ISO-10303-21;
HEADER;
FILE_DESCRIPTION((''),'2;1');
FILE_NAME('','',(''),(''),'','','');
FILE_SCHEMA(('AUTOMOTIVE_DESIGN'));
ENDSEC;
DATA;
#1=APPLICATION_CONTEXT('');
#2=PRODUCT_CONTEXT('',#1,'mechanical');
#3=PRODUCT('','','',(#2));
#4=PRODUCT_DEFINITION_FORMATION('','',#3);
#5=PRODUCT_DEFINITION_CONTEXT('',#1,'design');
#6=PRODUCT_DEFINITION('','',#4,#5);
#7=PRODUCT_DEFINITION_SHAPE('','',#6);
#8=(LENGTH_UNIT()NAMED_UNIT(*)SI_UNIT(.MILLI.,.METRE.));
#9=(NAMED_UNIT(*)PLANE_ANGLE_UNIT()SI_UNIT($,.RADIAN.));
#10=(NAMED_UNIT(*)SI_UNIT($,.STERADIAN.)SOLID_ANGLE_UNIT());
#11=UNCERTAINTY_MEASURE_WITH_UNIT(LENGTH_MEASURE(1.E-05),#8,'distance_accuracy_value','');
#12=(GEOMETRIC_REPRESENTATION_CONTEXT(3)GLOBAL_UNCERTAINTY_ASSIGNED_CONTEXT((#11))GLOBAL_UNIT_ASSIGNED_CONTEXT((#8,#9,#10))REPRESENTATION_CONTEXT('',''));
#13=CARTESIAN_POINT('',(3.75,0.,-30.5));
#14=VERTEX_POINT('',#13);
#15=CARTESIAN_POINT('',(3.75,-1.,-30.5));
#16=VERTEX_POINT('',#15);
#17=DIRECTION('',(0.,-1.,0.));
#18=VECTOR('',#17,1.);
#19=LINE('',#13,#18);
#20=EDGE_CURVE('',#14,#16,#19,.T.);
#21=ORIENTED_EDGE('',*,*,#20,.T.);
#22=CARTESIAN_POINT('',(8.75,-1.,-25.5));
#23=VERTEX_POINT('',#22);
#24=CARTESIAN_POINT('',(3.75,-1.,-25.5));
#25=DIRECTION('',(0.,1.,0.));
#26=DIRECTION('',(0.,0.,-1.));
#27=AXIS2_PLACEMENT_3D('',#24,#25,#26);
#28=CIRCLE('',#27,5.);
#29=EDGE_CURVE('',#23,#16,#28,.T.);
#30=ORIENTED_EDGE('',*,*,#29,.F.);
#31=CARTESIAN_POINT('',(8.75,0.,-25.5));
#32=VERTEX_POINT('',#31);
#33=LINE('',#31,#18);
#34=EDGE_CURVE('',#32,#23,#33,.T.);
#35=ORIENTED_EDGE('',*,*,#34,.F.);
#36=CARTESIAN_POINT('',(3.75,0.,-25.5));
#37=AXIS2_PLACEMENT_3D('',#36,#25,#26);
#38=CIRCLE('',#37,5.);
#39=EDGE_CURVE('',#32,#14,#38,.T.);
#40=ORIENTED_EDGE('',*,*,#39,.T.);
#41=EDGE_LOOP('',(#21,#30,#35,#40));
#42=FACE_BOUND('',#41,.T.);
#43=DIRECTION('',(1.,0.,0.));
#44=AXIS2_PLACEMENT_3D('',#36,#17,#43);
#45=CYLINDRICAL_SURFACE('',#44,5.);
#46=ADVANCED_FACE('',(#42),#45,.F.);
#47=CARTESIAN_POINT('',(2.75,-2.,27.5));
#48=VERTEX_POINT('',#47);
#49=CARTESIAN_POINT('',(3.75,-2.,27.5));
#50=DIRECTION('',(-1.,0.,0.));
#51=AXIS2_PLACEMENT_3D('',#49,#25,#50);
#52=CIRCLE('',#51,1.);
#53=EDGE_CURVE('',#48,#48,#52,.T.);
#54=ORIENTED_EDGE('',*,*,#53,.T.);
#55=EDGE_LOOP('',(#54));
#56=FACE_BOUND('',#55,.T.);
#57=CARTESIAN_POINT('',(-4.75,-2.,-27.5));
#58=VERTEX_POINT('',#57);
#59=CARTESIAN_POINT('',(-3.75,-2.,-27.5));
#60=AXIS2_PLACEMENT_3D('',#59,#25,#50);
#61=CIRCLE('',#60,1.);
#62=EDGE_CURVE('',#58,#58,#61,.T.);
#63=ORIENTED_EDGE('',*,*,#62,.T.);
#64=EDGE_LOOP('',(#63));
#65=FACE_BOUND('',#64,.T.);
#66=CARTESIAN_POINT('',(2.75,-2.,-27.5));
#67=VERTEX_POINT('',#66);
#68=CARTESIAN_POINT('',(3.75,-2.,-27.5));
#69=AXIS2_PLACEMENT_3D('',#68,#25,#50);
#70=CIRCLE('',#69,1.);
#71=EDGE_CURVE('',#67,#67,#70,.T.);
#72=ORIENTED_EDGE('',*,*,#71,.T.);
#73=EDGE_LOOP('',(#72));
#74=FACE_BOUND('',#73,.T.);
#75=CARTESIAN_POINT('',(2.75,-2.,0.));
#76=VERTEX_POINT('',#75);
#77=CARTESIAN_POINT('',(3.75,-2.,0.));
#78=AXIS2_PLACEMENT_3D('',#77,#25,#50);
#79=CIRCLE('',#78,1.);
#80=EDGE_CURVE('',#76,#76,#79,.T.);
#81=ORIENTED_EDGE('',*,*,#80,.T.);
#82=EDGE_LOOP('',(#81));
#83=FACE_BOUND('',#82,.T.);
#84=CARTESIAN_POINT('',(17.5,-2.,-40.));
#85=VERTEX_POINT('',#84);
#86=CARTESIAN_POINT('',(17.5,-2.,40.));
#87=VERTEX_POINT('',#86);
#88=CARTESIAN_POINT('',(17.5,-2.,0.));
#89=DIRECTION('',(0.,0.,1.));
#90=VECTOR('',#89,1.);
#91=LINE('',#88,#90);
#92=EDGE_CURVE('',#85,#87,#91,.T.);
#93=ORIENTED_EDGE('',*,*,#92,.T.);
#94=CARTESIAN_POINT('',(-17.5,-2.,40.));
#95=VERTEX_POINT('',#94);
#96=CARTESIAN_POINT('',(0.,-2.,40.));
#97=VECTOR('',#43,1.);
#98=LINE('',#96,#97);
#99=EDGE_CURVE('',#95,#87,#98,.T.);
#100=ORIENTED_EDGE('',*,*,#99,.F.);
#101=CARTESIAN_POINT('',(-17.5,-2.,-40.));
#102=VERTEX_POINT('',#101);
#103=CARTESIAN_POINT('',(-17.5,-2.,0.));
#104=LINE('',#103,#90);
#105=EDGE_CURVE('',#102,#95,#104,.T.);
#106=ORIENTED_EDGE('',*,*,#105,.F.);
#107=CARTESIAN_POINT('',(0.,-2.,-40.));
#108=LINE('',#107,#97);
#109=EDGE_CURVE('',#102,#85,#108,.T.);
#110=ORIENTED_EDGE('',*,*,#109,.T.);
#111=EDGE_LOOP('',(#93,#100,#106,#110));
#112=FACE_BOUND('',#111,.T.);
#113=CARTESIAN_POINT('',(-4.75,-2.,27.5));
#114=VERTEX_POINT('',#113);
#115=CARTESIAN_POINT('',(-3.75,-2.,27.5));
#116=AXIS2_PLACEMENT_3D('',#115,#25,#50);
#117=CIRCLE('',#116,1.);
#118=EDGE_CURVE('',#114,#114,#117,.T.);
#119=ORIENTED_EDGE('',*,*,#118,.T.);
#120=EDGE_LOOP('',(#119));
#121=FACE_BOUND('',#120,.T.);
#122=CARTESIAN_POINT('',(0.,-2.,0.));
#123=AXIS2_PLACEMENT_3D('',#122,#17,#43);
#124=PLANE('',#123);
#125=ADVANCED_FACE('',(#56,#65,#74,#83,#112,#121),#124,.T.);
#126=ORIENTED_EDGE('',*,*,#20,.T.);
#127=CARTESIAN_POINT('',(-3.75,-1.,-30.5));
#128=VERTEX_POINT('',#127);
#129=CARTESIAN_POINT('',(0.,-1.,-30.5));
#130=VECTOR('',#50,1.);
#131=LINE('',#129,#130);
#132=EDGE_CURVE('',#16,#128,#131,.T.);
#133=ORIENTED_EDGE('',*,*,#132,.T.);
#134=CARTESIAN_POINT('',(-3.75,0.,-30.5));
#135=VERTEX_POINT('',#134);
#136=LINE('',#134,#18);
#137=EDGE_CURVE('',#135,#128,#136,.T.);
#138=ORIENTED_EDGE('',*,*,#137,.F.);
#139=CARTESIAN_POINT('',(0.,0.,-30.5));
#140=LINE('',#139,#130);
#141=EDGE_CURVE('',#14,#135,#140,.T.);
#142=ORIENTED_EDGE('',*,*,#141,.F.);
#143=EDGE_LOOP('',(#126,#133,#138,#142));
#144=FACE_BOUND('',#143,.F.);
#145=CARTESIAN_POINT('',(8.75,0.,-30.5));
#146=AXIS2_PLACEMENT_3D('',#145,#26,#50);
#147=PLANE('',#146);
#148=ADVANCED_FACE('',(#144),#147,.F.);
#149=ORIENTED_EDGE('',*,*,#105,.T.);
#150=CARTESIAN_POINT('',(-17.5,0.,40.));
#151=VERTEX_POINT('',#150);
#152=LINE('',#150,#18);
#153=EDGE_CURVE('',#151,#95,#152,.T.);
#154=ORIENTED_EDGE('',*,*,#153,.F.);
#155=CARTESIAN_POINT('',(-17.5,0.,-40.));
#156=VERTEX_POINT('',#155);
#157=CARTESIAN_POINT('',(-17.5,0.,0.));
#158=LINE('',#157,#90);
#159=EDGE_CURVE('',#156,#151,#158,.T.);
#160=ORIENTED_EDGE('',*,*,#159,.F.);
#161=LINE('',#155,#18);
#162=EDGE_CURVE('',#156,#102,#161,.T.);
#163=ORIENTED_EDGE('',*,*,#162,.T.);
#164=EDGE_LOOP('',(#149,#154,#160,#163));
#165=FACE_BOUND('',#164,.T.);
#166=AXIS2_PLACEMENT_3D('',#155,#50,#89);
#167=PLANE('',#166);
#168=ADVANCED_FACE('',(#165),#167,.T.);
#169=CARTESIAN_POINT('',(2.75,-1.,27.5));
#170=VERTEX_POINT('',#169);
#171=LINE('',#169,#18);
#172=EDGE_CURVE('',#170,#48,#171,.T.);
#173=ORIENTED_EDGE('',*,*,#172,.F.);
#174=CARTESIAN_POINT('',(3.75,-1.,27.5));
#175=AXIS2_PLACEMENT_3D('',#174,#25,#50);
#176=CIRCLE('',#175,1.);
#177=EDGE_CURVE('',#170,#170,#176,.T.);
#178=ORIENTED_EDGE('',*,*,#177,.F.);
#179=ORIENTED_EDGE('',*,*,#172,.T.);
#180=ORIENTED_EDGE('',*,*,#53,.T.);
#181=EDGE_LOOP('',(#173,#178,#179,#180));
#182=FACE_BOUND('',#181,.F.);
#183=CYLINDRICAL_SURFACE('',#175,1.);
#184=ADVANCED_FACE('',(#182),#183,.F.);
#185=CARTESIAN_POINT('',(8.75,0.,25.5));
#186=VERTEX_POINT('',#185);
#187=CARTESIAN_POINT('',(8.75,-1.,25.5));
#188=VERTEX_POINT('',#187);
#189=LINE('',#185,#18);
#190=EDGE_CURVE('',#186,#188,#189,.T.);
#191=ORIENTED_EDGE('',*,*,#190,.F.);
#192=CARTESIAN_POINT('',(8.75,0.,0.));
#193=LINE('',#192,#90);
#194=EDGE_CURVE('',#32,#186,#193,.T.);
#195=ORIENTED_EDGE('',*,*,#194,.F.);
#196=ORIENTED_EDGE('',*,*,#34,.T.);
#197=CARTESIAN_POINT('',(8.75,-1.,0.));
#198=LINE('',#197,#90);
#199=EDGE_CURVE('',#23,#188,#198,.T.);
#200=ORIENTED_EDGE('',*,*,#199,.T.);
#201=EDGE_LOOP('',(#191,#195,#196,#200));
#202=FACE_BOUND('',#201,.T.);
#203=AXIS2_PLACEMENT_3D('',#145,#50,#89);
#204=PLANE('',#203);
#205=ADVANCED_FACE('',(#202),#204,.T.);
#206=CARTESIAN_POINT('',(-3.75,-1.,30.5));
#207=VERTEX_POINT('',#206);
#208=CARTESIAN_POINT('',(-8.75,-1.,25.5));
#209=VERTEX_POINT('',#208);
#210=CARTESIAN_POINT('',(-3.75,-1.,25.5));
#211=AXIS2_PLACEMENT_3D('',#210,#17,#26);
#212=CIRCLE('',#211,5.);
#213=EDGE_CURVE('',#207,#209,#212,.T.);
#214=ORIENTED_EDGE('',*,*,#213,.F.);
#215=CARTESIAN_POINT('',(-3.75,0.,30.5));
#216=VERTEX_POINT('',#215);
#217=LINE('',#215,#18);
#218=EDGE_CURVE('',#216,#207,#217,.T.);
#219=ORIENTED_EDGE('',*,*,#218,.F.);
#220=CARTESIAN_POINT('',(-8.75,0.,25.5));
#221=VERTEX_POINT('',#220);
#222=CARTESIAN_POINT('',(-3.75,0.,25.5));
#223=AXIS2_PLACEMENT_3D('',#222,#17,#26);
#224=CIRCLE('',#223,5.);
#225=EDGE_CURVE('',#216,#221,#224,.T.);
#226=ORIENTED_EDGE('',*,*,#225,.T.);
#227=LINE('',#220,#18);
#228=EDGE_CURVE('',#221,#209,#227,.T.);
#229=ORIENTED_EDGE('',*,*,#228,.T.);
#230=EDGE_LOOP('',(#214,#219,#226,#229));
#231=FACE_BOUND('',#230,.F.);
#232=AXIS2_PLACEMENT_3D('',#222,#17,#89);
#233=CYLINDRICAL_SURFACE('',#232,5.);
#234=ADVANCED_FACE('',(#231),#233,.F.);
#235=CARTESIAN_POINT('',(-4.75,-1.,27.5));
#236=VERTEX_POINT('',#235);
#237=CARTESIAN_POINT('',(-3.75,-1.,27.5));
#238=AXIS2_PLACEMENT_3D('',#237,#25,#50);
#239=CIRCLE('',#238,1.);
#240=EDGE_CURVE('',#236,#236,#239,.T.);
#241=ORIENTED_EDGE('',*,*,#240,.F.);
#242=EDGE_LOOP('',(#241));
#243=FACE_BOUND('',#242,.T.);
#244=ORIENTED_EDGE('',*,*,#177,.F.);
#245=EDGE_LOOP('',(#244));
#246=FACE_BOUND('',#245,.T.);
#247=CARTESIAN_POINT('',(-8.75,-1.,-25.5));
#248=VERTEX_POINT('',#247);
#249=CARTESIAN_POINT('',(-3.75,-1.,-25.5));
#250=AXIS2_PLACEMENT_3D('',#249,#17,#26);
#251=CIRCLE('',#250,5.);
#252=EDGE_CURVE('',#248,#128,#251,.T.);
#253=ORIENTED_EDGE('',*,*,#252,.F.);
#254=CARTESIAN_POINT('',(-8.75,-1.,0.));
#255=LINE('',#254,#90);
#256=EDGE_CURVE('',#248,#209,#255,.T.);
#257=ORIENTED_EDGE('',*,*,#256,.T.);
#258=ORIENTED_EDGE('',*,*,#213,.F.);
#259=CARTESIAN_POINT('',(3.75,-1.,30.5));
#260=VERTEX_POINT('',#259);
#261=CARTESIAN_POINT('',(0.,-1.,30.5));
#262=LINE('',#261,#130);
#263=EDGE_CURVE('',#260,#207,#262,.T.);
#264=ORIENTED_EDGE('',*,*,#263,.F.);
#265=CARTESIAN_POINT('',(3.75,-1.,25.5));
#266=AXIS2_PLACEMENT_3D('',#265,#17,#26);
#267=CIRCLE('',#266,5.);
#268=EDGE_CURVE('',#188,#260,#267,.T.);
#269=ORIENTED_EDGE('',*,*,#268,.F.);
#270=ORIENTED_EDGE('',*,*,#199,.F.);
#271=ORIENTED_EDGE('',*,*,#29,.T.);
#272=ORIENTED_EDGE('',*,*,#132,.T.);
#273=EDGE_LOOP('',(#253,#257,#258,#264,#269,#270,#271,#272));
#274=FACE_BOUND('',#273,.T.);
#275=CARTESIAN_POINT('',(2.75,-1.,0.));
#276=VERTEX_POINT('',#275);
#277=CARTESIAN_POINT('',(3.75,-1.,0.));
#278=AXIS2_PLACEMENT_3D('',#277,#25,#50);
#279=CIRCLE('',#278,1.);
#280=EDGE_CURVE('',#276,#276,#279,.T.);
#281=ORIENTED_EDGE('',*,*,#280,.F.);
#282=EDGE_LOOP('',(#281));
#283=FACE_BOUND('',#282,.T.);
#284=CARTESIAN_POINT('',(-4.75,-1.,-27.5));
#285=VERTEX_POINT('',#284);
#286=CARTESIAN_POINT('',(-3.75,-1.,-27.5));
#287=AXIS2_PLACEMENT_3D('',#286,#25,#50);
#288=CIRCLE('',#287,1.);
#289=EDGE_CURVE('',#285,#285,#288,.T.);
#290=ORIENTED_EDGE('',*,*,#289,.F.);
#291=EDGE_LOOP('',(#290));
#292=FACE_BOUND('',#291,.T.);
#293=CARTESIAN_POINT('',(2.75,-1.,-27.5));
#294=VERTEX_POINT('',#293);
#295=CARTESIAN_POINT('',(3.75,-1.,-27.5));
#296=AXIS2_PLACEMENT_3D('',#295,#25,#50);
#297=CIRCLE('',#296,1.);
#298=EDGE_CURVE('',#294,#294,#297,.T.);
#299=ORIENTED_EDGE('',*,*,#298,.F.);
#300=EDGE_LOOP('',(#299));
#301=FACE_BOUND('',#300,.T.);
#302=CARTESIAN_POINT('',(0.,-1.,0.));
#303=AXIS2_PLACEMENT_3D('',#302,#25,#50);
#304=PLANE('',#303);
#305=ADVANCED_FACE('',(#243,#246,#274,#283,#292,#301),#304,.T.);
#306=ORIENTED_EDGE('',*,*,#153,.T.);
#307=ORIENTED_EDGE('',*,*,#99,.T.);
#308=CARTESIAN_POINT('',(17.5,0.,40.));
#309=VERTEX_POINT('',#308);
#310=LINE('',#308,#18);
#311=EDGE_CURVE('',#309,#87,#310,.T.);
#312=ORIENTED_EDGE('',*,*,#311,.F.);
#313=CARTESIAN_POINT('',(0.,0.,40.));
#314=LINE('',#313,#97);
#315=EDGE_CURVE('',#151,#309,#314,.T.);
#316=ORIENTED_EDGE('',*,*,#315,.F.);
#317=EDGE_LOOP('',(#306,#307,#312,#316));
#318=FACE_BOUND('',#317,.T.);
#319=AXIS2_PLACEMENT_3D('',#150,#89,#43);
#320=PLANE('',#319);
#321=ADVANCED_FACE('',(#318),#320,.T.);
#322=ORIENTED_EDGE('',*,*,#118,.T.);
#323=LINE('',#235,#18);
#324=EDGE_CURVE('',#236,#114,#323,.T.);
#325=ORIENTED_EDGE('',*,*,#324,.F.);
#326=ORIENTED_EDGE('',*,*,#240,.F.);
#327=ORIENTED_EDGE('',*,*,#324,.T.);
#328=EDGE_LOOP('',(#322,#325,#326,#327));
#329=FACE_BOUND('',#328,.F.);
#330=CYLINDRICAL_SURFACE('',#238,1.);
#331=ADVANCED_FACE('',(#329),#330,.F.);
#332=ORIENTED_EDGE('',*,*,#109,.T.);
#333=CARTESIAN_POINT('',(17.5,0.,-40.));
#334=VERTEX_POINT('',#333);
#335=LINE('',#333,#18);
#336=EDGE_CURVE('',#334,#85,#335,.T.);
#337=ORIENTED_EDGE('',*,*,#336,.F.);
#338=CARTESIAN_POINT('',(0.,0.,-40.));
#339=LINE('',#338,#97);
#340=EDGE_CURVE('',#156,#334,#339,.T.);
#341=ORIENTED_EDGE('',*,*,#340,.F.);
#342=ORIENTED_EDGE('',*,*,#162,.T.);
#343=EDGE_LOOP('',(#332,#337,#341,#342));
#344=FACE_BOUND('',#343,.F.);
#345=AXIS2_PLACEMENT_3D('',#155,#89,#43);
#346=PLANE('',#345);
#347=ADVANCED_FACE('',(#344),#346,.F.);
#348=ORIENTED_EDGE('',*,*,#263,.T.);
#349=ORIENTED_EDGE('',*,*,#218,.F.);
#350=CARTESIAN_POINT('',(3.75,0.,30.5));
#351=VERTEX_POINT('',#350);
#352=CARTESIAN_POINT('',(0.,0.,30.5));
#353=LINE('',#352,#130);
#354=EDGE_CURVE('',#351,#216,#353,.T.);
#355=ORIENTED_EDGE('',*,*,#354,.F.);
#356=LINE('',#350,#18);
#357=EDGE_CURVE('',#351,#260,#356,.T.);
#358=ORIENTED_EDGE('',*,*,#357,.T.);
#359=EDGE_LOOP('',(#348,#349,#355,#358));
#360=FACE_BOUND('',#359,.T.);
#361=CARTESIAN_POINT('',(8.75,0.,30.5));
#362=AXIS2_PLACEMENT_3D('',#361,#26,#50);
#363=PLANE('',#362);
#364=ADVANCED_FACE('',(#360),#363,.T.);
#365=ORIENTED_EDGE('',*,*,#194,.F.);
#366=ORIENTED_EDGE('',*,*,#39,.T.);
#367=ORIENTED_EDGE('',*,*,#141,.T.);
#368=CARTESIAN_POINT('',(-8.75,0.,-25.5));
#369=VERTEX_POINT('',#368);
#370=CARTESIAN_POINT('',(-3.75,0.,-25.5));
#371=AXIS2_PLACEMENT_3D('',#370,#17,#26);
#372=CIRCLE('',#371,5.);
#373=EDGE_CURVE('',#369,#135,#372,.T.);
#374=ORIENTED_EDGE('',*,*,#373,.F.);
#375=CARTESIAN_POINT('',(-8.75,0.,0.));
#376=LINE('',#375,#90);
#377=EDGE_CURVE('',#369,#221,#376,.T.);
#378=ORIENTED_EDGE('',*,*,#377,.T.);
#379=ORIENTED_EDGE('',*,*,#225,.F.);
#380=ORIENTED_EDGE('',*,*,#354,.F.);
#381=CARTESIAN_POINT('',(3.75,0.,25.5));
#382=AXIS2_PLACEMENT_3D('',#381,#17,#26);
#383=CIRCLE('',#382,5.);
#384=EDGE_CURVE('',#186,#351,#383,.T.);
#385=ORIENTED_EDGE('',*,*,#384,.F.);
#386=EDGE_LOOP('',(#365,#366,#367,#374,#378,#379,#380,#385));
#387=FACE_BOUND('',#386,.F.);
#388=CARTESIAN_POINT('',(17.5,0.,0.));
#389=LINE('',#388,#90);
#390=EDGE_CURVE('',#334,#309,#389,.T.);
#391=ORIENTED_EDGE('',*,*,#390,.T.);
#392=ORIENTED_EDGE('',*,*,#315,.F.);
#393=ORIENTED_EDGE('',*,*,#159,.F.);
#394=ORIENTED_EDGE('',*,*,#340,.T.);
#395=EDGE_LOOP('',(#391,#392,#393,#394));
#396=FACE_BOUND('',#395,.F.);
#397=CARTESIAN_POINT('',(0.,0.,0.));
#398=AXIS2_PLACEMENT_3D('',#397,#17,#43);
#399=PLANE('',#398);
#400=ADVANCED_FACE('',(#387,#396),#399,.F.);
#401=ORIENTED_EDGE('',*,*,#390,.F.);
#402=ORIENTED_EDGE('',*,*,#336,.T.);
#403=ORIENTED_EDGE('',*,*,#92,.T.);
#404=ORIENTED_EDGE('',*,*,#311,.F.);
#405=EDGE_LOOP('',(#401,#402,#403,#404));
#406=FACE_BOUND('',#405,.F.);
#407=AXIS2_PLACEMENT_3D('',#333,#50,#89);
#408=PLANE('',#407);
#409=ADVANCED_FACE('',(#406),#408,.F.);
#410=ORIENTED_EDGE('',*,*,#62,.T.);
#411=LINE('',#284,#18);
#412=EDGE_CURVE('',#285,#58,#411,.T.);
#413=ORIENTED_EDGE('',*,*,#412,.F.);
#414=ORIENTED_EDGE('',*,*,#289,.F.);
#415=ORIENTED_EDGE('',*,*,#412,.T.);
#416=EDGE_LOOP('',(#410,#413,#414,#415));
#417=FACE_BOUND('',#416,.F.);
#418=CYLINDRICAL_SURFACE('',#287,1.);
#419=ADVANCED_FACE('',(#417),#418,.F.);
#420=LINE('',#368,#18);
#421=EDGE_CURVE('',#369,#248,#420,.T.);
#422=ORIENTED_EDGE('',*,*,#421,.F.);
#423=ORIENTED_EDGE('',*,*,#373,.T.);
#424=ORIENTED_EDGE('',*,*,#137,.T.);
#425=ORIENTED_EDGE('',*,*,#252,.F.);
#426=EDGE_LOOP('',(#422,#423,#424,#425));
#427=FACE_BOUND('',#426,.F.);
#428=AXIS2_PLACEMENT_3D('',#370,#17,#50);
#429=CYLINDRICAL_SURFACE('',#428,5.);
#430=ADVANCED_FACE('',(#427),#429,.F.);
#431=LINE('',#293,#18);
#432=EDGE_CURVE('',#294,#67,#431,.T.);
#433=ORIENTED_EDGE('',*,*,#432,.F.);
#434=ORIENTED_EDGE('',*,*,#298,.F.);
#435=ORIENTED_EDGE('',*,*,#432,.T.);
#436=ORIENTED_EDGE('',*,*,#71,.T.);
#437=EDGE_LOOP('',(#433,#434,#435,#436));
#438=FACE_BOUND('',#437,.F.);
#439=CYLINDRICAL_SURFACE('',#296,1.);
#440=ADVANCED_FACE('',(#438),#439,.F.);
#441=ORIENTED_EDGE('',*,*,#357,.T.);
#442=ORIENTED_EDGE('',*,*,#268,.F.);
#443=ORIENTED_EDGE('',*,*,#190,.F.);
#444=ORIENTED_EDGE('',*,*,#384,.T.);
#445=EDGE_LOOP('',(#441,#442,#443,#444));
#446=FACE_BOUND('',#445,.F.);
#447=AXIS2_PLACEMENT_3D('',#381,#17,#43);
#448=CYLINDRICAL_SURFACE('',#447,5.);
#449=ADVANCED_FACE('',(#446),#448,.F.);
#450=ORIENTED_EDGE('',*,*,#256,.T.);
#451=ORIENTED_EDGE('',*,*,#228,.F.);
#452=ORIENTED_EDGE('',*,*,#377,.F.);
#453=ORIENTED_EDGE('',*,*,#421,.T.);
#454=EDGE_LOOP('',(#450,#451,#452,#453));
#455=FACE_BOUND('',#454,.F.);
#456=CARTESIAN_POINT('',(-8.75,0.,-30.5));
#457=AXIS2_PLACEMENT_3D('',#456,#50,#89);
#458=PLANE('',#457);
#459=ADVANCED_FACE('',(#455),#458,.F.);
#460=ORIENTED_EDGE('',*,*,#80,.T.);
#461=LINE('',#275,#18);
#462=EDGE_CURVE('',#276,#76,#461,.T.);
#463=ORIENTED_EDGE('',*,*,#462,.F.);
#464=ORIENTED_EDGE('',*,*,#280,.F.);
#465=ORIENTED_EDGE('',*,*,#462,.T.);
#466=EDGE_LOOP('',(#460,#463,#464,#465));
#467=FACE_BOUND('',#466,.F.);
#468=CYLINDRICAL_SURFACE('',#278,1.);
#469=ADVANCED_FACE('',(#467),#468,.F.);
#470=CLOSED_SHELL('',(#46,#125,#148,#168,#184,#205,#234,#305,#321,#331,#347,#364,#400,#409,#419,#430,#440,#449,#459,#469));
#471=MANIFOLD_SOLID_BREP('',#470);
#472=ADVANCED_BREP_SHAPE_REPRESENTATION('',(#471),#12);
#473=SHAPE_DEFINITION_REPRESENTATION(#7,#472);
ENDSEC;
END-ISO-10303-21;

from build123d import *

# Parameters (mm, degrees)
F0_W     = 35
F0_H     = 80
F1_DEPTH = 2
F2_W     = 17.5
F2_H     = 61
F3_DEPTH = 1
F4_R     = 1
F5_DEPTH = 25
F6_R     = 5


with BuildPart() as f1:
    # F0 (on Front) → F1 (new body)
    with BuildSketch(Plane.XZ):
        Rectangle(F0_W, F0_H)
    extrude(amount=F1_DEPTH)

    # F2 (on face) → F3 (cut)
    with BuildSketch(Plane(origin=(0, 0, 0), x_dir=(-1, 0, 0), z_dir=(0, 1, 0))):
        Rectangle(F2_W, F2_H)
    extrude(amount=-F3_DEPTH, mode=Mode.SUBTRACT)

    # F4 (on face) → F5 (cut)
    with BuildSketch(Plane(origin=(0, -1, 0), x_dir=(-1, 0, 0), z_dir=(0, 1, 0))):
        with Locations((-3.75, 27.5)):
            Circle(F4_R)
        with Locations((-3.75, 0)):
            Circle(F4_R)
        with Locations((-3.75, -27.5)):
            Circle(F4_R)
        with Locations((3.75, 27.5)):
            Circle(F4_R)
        with Locations((3.75, -27.5)):
            Circle(F4_R)
    extrude(amount=-F5_DEPTH, mode=Mode.SUBTRACT)

    # F6
    f6_edges = [f1.edges().sort_by_distance(p)[0] for p in [
        (-8.75, -0.5, 30.5),
        (8.75, -0.5, 30.5),
        (-8.75, -0.5, -30.5),
        (8.75, -0.5, -30.5),
    ]]
    fillet(f6_edges, radius=F6_R)


solid = f1.part
